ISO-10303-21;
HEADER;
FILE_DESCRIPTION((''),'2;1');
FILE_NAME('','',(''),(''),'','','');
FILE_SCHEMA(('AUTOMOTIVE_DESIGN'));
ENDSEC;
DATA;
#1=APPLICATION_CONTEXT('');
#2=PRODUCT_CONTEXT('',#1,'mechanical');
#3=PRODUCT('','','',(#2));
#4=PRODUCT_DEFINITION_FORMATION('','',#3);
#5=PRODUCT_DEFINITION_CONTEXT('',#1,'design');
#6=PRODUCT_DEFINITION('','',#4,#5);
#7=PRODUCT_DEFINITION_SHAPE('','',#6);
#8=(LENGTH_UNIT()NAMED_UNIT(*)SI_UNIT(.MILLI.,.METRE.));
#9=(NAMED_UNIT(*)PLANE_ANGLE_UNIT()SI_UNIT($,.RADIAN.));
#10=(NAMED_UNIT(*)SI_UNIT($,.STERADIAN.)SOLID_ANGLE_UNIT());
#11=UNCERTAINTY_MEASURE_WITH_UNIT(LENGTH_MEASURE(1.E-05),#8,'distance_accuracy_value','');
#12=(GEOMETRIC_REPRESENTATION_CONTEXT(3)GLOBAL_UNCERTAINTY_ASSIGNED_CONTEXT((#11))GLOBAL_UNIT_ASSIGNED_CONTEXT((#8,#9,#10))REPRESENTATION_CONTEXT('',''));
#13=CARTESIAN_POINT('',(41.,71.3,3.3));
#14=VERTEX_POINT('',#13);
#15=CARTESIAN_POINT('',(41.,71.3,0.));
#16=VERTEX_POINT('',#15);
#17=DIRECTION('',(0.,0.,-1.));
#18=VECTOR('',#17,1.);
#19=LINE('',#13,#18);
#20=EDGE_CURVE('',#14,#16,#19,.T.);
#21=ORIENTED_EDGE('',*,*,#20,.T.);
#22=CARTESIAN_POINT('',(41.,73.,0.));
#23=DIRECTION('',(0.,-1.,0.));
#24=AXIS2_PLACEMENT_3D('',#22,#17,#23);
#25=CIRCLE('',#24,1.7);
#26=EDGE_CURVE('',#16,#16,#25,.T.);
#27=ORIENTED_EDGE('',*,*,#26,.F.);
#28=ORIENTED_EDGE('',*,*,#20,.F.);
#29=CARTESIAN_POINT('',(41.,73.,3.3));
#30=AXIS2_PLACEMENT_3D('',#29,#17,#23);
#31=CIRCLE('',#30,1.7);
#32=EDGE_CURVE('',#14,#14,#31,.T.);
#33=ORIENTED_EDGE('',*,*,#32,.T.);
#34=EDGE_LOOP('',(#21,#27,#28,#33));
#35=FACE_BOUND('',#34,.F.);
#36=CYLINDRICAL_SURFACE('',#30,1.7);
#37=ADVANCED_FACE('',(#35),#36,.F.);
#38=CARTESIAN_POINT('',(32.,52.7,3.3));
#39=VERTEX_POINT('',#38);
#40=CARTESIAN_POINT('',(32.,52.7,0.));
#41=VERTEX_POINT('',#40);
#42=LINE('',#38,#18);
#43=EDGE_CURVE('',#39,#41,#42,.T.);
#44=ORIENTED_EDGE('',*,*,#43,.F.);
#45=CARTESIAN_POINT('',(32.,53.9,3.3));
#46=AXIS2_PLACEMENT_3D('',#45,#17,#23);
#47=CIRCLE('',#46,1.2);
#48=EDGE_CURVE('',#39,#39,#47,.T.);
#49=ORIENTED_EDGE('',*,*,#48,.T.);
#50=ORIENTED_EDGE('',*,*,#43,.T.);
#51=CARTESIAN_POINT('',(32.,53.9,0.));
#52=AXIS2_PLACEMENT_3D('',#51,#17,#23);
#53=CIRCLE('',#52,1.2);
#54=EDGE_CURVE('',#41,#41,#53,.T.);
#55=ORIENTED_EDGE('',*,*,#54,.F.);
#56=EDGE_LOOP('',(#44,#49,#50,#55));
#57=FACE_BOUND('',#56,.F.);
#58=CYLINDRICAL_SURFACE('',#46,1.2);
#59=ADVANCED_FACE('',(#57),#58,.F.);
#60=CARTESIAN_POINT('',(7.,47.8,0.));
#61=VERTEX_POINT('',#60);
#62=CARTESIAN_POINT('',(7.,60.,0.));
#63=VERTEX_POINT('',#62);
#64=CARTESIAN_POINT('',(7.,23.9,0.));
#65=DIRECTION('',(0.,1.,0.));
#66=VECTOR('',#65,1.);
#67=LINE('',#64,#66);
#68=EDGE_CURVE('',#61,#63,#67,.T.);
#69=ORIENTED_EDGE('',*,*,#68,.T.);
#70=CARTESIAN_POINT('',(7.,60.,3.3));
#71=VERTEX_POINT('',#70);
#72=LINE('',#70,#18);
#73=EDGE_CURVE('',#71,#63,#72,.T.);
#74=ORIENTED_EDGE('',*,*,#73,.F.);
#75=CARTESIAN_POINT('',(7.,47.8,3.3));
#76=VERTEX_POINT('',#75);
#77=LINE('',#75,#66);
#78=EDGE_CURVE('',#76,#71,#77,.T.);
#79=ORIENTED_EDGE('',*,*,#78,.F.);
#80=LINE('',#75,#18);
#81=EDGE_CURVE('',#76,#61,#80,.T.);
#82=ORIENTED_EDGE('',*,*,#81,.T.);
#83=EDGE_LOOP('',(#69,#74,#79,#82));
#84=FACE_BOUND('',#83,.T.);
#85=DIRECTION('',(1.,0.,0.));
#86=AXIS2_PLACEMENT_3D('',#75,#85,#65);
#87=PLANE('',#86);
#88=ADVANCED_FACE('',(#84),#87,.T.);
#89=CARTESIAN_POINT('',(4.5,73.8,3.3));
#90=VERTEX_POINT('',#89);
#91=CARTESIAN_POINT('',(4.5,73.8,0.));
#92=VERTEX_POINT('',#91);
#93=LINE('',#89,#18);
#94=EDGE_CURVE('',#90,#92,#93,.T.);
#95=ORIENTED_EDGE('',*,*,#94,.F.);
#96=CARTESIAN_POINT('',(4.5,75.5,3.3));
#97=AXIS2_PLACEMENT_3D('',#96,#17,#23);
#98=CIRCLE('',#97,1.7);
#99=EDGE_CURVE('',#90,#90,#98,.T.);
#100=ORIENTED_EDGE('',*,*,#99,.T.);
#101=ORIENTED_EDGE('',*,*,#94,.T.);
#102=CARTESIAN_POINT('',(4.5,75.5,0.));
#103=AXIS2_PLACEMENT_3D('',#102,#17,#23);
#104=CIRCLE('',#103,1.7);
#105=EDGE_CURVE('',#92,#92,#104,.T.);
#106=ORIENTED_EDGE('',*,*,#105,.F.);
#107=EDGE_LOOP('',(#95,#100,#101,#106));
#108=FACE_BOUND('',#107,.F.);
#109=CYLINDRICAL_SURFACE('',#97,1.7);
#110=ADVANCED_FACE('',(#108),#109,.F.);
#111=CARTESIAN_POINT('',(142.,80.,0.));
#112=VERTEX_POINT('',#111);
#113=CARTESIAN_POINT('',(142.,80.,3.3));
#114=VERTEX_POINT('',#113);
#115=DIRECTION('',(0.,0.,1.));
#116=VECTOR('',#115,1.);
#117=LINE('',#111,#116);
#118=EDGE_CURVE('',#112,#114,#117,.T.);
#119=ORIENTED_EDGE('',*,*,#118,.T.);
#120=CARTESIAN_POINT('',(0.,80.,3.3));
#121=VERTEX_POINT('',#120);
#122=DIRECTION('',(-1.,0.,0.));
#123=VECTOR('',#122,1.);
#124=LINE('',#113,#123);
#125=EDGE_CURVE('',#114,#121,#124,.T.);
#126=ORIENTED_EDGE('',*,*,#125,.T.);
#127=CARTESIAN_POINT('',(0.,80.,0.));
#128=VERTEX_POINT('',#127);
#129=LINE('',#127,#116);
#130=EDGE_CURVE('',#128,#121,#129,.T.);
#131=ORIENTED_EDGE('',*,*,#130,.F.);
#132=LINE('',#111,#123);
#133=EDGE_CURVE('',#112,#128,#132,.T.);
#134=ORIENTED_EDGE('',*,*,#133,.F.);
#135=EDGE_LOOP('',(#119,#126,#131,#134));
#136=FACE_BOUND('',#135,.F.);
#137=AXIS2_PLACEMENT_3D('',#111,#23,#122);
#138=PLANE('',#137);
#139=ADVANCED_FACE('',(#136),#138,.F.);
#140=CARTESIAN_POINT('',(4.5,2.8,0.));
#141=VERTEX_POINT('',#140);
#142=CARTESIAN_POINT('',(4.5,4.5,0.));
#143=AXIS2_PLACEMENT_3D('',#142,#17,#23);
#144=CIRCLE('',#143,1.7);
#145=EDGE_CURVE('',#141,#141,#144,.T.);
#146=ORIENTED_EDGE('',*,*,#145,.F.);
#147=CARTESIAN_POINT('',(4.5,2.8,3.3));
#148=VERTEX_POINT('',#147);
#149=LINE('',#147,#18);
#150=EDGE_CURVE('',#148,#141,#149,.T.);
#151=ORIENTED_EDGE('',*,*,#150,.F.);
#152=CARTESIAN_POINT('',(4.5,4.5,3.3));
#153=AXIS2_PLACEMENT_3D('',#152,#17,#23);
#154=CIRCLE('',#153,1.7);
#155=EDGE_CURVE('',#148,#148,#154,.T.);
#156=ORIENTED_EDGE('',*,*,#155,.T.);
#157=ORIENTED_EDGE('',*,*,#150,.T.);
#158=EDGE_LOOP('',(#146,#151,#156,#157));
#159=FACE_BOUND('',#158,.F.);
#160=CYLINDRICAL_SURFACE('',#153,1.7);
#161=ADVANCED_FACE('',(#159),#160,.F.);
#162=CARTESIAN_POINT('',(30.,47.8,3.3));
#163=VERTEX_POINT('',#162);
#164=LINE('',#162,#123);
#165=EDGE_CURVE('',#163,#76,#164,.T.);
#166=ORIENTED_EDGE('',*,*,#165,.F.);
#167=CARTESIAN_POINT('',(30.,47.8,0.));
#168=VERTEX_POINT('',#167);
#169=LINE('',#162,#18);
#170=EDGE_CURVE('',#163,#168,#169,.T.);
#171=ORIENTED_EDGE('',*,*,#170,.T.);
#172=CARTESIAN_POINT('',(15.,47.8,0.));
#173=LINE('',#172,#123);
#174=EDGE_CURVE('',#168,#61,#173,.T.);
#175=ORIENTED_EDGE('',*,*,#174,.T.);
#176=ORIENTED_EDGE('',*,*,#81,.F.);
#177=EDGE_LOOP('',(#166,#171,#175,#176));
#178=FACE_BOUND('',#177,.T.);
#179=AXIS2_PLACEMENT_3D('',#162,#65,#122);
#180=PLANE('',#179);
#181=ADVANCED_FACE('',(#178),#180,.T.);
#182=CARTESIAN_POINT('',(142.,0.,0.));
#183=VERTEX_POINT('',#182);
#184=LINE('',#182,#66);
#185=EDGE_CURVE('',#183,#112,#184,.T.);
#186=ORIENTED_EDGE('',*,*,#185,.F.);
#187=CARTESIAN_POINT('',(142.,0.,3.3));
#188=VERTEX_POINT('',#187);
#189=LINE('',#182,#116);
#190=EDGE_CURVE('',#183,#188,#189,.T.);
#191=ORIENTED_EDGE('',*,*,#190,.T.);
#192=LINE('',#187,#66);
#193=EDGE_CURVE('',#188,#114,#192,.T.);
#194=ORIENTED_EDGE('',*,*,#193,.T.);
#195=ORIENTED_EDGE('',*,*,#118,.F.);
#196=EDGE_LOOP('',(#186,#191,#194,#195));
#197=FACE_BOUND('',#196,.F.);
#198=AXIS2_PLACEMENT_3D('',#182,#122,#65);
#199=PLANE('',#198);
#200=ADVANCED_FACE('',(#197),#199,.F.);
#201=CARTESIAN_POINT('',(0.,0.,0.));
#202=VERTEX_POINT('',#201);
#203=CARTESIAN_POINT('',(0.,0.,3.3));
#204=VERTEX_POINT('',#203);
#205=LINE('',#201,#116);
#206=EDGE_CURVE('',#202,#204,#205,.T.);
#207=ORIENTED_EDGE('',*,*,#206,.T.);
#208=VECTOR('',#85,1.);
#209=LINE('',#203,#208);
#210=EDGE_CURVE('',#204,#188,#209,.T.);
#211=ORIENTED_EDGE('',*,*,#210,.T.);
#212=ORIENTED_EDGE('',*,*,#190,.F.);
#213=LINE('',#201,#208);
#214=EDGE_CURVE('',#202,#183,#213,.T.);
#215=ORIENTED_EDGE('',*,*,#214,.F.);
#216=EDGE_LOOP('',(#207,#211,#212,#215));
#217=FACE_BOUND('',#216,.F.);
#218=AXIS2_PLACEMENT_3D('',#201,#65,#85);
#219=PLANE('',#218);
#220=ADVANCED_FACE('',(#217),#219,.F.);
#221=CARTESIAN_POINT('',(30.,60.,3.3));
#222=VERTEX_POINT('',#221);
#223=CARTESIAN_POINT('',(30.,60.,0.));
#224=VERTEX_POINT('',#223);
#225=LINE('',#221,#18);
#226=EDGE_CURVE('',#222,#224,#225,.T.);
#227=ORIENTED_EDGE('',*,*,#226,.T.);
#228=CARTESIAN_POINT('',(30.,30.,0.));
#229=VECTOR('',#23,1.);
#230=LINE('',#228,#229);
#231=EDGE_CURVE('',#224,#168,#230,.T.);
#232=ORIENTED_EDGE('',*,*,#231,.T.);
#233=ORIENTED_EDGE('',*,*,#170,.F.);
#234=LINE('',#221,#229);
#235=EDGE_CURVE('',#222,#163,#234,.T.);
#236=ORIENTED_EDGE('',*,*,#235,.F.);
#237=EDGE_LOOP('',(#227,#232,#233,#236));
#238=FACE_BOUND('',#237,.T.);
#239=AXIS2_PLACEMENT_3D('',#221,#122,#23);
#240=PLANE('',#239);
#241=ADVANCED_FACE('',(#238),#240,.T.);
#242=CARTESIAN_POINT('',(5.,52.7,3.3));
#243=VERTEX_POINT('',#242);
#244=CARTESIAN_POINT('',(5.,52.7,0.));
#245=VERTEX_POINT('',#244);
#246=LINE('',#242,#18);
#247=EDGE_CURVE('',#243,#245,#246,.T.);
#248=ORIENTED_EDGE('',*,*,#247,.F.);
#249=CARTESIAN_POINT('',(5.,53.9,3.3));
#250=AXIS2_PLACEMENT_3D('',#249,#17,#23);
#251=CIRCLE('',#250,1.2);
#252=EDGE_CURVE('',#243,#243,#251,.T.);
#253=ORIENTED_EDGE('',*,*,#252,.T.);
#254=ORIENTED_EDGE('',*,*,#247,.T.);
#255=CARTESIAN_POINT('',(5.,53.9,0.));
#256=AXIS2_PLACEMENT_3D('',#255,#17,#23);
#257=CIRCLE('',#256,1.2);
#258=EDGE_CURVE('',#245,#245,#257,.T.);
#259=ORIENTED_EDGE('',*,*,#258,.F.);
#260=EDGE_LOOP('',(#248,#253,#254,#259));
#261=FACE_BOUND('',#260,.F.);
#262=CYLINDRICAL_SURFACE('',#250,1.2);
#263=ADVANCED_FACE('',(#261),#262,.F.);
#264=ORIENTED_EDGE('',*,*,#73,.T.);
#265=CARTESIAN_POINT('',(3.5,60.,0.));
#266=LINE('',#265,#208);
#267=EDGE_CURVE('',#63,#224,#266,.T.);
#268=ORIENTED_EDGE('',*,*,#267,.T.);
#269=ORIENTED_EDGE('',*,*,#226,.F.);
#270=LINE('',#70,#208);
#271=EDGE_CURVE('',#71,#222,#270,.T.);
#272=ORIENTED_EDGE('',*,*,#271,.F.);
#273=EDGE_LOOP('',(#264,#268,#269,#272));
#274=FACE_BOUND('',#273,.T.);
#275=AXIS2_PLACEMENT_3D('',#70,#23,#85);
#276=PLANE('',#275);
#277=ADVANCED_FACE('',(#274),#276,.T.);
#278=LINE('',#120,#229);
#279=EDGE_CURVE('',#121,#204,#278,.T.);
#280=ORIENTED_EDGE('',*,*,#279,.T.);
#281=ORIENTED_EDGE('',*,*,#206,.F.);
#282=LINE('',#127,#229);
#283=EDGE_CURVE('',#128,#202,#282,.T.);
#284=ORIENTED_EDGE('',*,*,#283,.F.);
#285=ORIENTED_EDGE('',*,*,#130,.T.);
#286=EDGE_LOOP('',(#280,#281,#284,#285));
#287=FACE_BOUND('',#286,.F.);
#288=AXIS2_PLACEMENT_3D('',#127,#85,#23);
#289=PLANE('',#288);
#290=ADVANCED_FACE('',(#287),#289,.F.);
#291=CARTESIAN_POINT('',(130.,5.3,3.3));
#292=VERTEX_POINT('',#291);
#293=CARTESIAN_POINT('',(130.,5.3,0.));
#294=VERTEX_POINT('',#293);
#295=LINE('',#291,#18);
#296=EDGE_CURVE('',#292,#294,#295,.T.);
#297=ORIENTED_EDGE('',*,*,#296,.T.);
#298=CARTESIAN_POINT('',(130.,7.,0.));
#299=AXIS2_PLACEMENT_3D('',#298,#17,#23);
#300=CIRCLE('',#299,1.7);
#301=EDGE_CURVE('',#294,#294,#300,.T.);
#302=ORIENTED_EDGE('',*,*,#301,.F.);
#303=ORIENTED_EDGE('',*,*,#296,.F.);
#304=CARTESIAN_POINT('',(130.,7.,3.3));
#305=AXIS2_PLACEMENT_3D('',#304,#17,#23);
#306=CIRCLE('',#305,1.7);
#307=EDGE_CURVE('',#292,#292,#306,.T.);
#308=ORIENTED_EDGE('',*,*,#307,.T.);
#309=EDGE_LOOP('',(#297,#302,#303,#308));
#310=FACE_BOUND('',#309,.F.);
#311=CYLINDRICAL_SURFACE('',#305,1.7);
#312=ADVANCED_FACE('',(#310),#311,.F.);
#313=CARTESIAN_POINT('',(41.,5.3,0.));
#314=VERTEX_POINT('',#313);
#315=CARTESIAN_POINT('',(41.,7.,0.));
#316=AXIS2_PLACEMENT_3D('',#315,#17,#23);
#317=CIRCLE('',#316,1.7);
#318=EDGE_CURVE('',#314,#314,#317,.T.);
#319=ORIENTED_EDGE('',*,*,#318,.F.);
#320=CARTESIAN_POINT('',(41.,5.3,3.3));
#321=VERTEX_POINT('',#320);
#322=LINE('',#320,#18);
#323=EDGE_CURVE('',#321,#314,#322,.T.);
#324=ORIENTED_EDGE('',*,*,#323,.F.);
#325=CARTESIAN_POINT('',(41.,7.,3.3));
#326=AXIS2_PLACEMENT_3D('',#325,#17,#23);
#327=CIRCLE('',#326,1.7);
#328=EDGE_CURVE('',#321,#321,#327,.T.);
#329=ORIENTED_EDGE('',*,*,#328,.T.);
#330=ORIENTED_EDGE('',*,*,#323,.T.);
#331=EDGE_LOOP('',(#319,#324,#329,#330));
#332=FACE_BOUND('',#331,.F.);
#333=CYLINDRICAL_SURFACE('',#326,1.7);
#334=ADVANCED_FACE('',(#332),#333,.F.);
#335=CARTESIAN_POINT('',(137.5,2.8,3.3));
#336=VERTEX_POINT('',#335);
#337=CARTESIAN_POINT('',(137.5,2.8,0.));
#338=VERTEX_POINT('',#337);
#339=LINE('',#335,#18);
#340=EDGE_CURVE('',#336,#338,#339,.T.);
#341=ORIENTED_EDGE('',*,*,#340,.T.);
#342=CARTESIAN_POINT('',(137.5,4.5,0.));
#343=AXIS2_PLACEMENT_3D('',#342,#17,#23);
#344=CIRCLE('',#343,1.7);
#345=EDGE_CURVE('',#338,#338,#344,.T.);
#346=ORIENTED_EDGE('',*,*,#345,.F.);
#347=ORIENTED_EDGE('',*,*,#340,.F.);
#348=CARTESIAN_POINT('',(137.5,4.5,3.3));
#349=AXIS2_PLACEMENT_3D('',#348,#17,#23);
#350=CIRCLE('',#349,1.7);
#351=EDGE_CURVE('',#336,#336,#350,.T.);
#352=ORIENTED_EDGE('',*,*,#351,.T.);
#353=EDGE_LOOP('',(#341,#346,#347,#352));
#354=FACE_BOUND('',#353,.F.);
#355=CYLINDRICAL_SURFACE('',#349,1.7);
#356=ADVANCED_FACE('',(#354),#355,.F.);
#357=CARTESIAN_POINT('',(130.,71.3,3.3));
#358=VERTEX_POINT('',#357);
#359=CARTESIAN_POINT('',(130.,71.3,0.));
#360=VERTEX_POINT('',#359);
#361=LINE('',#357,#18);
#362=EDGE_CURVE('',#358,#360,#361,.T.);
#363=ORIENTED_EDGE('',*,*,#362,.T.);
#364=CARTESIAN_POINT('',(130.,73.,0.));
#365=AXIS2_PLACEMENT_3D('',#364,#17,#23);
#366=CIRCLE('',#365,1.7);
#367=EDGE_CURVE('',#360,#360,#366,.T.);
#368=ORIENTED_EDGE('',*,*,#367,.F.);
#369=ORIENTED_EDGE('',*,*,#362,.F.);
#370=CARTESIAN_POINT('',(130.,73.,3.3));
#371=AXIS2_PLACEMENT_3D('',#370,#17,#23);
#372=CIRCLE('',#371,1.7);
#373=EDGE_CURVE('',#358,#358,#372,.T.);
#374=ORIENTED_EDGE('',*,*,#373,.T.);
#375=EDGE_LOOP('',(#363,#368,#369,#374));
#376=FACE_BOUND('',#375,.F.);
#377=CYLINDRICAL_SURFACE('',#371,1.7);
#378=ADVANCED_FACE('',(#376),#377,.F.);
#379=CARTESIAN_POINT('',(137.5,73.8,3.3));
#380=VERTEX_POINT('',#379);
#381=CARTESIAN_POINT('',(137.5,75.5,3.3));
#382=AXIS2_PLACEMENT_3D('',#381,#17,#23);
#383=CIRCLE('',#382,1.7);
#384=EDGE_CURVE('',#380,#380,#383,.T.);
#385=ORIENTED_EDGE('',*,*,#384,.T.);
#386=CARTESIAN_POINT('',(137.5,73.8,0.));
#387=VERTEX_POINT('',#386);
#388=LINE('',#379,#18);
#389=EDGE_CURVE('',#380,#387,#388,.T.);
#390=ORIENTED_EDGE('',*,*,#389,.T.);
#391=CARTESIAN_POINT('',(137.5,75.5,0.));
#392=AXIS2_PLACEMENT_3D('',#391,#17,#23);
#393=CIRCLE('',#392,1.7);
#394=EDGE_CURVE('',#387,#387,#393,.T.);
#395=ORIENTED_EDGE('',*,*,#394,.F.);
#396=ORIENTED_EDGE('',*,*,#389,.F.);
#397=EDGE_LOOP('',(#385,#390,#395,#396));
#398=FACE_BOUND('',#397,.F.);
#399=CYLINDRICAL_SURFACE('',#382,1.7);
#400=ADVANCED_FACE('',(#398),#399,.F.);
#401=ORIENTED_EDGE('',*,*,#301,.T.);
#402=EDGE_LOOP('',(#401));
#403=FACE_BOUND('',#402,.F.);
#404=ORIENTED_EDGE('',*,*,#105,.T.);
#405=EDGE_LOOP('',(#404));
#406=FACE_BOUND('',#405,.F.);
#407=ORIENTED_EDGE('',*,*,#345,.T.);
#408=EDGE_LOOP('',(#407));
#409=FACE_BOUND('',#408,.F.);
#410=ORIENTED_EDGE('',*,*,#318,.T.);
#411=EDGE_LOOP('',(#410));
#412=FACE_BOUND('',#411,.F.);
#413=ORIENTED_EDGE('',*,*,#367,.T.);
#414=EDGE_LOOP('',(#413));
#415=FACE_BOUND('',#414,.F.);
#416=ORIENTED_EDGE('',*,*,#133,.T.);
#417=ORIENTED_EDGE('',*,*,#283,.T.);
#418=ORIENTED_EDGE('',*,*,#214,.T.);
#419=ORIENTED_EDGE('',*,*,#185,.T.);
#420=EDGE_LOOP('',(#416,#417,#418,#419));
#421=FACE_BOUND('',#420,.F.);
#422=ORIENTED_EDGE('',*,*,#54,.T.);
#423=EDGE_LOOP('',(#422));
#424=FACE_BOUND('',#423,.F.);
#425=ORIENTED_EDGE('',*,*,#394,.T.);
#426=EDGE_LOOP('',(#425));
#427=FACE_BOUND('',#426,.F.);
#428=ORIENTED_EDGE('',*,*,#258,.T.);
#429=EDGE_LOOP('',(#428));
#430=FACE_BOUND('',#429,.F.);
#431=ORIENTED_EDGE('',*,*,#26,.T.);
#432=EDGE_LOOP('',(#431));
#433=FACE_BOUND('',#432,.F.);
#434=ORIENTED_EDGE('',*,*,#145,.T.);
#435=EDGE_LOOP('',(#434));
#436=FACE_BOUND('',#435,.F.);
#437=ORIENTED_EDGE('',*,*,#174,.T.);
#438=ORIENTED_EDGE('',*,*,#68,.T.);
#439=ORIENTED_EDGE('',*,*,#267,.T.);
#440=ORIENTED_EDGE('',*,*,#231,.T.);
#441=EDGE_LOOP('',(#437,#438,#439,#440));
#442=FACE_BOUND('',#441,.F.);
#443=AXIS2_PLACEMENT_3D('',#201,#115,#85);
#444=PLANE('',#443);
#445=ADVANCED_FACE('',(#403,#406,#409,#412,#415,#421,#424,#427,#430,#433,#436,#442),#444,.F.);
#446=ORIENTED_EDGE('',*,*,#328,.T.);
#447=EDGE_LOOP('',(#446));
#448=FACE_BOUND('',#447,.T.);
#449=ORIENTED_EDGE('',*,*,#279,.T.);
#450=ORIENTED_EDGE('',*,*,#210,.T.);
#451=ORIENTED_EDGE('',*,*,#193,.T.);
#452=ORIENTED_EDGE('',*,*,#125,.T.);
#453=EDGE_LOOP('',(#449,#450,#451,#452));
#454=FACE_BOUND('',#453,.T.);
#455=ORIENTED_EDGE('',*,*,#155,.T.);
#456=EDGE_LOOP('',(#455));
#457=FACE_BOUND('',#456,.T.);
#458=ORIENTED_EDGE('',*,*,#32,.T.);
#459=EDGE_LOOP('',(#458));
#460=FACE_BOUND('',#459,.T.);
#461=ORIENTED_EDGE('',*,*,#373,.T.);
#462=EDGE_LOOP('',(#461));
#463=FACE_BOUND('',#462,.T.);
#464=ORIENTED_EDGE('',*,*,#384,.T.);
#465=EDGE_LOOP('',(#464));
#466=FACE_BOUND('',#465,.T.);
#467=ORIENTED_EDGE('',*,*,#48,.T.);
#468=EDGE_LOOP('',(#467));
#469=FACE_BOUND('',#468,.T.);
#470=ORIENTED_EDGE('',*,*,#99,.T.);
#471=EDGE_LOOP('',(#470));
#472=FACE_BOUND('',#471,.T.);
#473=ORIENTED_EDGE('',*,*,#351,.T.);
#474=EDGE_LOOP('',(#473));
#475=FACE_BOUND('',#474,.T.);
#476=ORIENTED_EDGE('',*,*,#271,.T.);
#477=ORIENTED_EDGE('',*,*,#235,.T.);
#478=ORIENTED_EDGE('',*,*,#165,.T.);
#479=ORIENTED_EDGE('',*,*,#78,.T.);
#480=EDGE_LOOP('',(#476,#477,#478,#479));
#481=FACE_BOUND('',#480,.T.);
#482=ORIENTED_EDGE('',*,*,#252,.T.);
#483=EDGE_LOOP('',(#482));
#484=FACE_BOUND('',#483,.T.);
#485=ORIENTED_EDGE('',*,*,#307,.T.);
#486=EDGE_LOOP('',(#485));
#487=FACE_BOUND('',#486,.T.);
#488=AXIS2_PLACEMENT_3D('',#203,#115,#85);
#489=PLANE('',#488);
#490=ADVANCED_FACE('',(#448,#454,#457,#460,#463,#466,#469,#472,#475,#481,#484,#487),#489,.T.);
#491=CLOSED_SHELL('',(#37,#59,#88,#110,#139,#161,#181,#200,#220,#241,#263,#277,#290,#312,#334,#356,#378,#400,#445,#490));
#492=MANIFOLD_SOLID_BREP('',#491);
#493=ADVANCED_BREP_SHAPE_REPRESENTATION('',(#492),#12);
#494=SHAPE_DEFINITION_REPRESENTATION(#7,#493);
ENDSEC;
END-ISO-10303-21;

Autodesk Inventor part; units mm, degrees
ref_plane "YZ Plane" through (0, 0, 0) normal (1, 0, 0) x (0, 1, 0)
ref_plane "XZ Plane" through (0, 0, 0) normal (0, 1, 0) x (-1, 0, 0)
ref_plane "XY Plane" through (0, 0, 0) normal (0, 0, 1) x (1, 0, 0)
sketch "スケッチ1" plane through (0, 0, 0) normal (0, 0, 1) x (1, 0, 0)
  line L0 (0, 0) -> (142, 0)
  line L1 (142, 0) -> (142, 80)
  line L2 (142, 80) -> (0, 80)
  line L3 (0, 80) -> (0, 0)
  dimension "d40" = 142
  dimension "d41" = 80
extrude "押し出し1" add sketch "スケッチ1" along normal blind 3.3
hole "穴5" at (4.5, 75.5, 3.3) direction (0, 0, -1) diameter 3.4 end through all
hole "穴6" at (137.5, 75.5, 3.3) direction (0, 0, -1) diameter 3.4 end through all
hole "穴7" at (137.5, 4.5, 3.3) direction (0, 0, -1) diameter 3.4 end through all
hole "穴8" at (4.5, 4.5, 3.3) direction (0, 0, -1) diameter 3.4 end through all
hole "穴9" at (130, 73, 3.3) direction (0, 0, -1) diameter 3.4 end through all
hole "穴10" at (130, 7, 3.3) direction (0, 0, -1) diameter 3.4 end through all
hole "穴13" at (41, 73, 3.3) direction (0, 0, -1) diameter 3.4 end through all
hole "穴14" at (41, 7, 3.3) direction (0, 0, -1) diameter 3.4 end through all
sketch "スケッチ2" plane through (0, 0, 3.3) normal (0, 0, 1) x (1, 0, 0)
  line L0 (7, 60) -> (30, 60)
  line L1 (30, 60) -> (30, 47.8)
  line L2 (30, 47.8) -> (7, 47.8)
  line L3 (7, 47.8) -> (7, 60)
  point P0 (0, 0)
  dimension "d132" = 23
  dimension "d133" = 12.2
extrude "押し出し2" cut sketch "スケッチ2" against normal blind 10
hole "穴15" at (5, 53.9, 3.3) direction (0, 0, -1) diameter 2.4 end through all
hole "穴16" at (32, 53.9, 3.3) direction (0, 0, -1) diameter 2.4 end through all
properties part number "基本板上" material "アルミニウム 5052"
